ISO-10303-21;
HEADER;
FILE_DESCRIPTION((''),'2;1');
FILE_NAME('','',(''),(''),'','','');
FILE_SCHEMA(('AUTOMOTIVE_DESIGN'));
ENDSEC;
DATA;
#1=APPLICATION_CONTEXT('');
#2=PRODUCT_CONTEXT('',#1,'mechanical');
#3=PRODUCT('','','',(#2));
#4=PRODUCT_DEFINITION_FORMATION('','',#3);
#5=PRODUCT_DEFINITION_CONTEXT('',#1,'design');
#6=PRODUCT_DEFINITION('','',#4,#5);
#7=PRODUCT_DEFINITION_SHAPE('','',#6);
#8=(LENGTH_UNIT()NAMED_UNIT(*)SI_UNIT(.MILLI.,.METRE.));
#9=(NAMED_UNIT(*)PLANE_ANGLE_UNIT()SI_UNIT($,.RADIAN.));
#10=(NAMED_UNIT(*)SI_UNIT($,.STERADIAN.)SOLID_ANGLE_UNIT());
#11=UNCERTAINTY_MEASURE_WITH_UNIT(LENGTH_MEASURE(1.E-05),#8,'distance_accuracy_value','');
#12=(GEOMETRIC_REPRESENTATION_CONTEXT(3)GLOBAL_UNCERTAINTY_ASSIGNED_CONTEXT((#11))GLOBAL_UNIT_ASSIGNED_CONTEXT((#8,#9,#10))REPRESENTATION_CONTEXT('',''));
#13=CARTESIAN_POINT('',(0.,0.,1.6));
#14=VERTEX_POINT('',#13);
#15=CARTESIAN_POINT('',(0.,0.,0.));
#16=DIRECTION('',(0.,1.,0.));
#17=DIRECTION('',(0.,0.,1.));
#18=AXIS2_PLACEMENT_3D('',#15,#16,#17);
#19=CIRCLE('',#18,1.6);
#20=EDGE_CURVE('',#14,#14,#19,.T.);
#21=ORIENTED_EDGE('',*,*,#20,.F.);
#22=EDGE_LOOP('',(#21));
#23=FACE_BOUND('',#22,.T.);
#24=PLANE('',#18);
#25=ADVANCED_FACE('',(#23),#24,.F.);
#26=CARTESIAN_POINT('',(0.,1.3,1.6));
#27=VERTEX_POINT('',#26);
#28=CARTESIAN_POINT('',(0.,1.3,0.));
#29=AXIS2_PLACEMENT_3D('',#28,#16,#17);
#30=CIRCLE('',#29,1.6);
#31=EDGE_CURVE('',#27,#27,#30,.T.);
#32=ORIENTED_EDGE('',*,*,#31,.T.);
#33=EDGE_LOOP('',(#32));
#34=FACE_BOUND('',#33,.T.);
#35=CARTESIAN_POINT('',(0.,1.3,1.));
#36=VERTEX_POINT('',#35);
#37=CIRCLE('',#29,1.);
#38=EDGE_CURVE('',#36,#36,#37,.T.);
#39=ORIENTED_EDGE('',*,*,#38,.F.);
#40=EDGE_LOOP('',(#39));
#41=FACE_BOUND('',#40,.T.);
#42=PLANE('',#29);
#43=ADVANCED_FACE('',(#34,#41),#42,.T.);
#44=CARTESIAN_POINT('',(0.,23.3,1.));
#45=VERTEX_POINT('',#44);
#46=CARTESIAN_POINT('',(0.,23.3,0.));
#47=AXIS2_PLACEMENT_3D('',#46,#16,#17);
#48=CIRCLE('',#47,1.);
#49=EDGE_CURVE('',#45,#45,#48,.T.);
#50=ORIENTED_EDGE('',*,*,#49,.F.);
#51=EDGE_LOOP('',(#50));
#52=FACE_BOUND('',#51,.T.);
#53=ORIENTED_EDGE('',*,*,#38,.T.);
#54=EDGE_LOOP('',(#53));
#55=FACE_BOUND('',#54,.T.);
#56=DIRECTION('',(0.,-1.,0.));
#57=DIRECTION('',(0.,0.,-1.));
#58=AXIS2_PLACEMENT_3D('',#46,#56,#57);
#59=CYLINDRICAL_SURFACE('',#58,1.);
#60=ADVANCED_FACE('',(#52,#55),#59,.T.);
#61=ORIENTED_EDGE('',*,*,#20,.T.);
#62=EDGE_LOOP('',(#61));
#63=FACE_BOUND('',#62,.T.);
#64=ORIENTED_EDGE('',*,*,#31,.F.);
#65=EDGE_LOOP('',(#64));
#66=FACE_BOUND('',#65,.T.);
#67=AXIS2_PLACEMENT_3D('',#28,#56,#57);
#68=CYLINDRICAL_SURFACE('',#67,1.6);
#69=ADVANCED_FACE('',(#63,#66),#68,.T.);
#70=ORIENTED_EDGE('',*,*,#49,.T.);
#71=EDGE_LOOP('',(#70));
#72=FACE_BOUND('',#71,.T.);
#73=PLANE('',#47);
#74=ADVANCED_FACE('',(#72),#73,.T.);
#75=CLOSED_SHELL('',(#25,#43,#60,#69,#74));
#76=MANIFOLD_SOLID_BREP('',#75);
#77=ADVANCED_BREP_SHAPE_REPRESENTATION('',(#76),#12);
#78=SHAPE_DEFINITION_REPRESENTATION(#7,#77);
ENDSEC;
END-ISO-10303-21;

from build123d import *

# Parameters (mm, degrees)
SKETCH_1_R      = 1.6
EXTRUDE_1_DEPTH = 1.3
EXTRUDE_START   = 1.3
SKETCH_2_R      = 1
EXTRUDE_2_DEPTH = 22


with BuildPart() as part:
    # 草图1 → 凸台-拉伸1 (new body)
    with BuildSketch(Plane(origin=(0, 0, 0), x_dir=(1, 0, 0), z_dir=(0, 1, 0))):
        with Locations(Location((0, 0, 0), (0, 0, 270))):
            Circle(SKETCH_1_R)
    extrude(amount=EXTRUDE_1_DEPTH)

    # 草图2 → 凸台-拉伸2 (add)
    with BuildSketch(Plane(origin=(0, 0, 0), x_dir=(1, 0, 0), z_dir=(0, 1, 0)).offset(EXTRUDE_START)):
        with Locations(Location((0, 0, 0), (0, 0, 270))):
            Circle(SKETCH_2_R)
    extrude(amount=EXTRUDE_2_DEPTH)


solid = part.part
